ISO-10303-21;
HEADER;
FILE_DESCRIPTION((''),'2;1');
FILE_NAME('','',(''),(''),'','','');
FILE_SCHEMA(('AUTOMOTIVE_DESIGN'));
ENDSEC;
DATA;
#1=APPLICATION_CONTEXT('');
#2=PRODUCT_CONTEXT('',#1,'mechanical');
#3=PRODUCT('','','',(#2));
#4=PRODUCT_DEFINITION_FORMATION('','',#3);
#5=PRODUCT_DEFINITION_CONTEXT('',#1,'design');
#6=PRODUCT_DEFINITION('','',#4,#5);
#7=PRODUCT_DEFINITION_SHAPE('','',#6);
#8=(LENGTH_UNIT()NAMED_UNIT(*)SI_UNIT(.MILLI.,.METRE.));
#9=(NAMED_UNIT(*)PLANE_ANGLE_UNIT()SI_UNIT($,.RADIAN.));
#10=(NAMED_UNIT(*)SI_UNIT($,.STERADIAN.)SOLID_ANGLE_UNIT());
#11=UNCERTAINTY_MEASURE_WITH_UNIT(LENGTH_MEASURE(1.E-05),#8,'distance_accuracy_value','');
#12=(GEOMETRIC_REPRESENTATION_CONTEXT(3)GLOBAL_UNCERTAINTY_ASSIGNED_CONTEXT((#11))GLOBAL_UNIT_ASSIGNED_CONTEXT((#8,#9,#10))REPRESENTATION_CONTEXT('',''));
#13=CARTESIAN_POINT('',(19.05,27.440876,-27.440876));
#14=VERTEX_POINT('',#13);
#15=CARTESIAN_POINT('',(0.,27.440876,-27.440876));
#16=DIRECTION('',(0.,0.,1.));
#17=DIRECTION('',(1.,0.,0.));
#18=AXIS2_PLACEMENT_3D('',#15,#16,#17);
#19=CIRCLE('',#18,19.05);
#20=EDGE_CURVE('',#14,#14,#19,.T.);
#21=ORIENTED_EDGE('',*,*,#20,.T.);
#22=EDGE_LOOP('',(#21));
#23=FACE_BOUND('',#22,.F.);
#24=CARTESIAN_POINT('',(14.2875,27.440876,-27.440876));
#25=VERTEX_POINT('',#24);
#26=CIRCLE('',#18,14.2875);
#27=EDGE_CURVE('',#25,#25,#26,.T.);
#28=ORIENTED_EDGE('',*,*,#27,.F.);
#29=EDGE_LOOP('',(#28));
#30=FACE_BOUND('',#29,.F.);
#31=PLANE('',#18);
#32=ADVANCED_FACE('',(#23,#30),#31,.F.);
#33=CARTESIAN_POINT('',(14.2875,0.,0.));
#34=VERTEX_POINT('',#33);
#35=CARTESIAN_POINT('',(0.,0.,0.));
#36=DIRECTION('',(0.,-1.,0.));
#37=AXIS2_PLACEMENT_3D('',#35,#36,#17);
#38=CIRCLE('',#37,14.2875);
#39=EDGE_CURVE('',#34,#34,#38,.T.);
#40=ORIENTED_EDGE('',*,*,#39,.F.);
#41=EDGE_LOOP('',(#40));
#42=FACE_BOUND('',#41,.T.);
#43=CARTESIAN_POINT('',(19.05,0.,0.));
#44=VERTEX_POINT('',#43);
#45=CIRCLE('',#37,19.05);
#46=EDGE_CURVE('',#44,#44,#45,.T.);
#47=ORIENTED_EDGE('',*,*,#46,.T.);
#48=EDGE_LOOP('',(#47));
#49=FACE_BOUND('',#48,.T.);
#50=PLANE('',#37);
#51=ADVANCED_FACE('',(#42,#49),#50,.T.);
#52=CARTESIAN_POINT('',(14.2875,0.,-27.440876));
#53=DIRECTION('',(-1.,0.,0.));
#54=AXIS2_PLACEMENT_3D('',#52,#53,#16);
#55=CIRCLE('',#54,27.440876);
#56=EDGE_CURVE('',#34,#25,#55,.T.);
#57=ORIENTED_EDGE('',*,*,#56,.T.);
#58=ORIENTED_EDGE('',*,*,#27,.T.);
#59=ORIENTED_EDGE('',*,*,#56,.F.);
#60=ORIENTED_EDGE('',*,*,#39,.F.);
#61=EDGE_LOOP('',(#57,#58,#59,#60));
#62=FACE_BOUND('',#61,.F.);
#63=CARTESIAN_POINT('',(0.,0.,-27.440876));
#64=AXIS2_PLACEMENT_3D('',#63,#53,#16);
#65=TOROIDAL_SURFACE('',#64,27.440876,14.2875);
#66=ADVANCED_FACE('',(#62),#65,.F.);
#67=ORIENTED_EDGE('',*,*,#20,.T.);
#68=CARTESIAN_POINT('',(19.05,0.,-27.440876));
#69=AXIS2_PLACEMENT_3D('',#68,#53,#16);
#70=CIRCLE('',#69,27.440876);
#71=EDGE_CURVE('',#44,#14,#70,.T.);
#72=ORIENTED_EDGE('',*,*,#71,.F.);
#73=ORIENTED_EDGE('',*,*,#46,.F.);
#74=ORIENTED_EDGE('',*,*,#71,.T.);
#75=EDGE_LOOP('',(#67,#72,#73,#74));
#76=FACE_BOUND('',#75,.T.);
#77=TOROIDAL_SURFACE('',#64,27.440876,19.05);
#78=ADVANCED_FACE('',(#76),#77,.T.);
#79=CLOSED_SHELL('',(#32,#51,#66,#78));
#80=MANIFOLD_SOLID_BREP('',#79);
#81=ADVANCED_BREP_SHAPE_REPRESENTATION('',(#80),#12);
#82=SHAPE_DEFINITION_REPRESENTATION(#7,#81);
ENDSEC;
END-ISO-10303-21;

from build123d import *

# Parameters (mm, degrees)
F0_R     = 19.05
F0_R_2   = 14.2875
F1_ANGLE = -90


with BuildPart() as f1:
    # F0 (on Front) → F1 (revolve)
    with BuildSketch(Plane.XZ):
        Circle(F0_R)
        Circle(F0_R_2, mode=Mode.SUBTRACT)
    revolve(axis=Axis((0.592843, 0, -27.440876), (1, 0, 0)), revolution_arc=F1_ANGLE)


solid = f1.part
